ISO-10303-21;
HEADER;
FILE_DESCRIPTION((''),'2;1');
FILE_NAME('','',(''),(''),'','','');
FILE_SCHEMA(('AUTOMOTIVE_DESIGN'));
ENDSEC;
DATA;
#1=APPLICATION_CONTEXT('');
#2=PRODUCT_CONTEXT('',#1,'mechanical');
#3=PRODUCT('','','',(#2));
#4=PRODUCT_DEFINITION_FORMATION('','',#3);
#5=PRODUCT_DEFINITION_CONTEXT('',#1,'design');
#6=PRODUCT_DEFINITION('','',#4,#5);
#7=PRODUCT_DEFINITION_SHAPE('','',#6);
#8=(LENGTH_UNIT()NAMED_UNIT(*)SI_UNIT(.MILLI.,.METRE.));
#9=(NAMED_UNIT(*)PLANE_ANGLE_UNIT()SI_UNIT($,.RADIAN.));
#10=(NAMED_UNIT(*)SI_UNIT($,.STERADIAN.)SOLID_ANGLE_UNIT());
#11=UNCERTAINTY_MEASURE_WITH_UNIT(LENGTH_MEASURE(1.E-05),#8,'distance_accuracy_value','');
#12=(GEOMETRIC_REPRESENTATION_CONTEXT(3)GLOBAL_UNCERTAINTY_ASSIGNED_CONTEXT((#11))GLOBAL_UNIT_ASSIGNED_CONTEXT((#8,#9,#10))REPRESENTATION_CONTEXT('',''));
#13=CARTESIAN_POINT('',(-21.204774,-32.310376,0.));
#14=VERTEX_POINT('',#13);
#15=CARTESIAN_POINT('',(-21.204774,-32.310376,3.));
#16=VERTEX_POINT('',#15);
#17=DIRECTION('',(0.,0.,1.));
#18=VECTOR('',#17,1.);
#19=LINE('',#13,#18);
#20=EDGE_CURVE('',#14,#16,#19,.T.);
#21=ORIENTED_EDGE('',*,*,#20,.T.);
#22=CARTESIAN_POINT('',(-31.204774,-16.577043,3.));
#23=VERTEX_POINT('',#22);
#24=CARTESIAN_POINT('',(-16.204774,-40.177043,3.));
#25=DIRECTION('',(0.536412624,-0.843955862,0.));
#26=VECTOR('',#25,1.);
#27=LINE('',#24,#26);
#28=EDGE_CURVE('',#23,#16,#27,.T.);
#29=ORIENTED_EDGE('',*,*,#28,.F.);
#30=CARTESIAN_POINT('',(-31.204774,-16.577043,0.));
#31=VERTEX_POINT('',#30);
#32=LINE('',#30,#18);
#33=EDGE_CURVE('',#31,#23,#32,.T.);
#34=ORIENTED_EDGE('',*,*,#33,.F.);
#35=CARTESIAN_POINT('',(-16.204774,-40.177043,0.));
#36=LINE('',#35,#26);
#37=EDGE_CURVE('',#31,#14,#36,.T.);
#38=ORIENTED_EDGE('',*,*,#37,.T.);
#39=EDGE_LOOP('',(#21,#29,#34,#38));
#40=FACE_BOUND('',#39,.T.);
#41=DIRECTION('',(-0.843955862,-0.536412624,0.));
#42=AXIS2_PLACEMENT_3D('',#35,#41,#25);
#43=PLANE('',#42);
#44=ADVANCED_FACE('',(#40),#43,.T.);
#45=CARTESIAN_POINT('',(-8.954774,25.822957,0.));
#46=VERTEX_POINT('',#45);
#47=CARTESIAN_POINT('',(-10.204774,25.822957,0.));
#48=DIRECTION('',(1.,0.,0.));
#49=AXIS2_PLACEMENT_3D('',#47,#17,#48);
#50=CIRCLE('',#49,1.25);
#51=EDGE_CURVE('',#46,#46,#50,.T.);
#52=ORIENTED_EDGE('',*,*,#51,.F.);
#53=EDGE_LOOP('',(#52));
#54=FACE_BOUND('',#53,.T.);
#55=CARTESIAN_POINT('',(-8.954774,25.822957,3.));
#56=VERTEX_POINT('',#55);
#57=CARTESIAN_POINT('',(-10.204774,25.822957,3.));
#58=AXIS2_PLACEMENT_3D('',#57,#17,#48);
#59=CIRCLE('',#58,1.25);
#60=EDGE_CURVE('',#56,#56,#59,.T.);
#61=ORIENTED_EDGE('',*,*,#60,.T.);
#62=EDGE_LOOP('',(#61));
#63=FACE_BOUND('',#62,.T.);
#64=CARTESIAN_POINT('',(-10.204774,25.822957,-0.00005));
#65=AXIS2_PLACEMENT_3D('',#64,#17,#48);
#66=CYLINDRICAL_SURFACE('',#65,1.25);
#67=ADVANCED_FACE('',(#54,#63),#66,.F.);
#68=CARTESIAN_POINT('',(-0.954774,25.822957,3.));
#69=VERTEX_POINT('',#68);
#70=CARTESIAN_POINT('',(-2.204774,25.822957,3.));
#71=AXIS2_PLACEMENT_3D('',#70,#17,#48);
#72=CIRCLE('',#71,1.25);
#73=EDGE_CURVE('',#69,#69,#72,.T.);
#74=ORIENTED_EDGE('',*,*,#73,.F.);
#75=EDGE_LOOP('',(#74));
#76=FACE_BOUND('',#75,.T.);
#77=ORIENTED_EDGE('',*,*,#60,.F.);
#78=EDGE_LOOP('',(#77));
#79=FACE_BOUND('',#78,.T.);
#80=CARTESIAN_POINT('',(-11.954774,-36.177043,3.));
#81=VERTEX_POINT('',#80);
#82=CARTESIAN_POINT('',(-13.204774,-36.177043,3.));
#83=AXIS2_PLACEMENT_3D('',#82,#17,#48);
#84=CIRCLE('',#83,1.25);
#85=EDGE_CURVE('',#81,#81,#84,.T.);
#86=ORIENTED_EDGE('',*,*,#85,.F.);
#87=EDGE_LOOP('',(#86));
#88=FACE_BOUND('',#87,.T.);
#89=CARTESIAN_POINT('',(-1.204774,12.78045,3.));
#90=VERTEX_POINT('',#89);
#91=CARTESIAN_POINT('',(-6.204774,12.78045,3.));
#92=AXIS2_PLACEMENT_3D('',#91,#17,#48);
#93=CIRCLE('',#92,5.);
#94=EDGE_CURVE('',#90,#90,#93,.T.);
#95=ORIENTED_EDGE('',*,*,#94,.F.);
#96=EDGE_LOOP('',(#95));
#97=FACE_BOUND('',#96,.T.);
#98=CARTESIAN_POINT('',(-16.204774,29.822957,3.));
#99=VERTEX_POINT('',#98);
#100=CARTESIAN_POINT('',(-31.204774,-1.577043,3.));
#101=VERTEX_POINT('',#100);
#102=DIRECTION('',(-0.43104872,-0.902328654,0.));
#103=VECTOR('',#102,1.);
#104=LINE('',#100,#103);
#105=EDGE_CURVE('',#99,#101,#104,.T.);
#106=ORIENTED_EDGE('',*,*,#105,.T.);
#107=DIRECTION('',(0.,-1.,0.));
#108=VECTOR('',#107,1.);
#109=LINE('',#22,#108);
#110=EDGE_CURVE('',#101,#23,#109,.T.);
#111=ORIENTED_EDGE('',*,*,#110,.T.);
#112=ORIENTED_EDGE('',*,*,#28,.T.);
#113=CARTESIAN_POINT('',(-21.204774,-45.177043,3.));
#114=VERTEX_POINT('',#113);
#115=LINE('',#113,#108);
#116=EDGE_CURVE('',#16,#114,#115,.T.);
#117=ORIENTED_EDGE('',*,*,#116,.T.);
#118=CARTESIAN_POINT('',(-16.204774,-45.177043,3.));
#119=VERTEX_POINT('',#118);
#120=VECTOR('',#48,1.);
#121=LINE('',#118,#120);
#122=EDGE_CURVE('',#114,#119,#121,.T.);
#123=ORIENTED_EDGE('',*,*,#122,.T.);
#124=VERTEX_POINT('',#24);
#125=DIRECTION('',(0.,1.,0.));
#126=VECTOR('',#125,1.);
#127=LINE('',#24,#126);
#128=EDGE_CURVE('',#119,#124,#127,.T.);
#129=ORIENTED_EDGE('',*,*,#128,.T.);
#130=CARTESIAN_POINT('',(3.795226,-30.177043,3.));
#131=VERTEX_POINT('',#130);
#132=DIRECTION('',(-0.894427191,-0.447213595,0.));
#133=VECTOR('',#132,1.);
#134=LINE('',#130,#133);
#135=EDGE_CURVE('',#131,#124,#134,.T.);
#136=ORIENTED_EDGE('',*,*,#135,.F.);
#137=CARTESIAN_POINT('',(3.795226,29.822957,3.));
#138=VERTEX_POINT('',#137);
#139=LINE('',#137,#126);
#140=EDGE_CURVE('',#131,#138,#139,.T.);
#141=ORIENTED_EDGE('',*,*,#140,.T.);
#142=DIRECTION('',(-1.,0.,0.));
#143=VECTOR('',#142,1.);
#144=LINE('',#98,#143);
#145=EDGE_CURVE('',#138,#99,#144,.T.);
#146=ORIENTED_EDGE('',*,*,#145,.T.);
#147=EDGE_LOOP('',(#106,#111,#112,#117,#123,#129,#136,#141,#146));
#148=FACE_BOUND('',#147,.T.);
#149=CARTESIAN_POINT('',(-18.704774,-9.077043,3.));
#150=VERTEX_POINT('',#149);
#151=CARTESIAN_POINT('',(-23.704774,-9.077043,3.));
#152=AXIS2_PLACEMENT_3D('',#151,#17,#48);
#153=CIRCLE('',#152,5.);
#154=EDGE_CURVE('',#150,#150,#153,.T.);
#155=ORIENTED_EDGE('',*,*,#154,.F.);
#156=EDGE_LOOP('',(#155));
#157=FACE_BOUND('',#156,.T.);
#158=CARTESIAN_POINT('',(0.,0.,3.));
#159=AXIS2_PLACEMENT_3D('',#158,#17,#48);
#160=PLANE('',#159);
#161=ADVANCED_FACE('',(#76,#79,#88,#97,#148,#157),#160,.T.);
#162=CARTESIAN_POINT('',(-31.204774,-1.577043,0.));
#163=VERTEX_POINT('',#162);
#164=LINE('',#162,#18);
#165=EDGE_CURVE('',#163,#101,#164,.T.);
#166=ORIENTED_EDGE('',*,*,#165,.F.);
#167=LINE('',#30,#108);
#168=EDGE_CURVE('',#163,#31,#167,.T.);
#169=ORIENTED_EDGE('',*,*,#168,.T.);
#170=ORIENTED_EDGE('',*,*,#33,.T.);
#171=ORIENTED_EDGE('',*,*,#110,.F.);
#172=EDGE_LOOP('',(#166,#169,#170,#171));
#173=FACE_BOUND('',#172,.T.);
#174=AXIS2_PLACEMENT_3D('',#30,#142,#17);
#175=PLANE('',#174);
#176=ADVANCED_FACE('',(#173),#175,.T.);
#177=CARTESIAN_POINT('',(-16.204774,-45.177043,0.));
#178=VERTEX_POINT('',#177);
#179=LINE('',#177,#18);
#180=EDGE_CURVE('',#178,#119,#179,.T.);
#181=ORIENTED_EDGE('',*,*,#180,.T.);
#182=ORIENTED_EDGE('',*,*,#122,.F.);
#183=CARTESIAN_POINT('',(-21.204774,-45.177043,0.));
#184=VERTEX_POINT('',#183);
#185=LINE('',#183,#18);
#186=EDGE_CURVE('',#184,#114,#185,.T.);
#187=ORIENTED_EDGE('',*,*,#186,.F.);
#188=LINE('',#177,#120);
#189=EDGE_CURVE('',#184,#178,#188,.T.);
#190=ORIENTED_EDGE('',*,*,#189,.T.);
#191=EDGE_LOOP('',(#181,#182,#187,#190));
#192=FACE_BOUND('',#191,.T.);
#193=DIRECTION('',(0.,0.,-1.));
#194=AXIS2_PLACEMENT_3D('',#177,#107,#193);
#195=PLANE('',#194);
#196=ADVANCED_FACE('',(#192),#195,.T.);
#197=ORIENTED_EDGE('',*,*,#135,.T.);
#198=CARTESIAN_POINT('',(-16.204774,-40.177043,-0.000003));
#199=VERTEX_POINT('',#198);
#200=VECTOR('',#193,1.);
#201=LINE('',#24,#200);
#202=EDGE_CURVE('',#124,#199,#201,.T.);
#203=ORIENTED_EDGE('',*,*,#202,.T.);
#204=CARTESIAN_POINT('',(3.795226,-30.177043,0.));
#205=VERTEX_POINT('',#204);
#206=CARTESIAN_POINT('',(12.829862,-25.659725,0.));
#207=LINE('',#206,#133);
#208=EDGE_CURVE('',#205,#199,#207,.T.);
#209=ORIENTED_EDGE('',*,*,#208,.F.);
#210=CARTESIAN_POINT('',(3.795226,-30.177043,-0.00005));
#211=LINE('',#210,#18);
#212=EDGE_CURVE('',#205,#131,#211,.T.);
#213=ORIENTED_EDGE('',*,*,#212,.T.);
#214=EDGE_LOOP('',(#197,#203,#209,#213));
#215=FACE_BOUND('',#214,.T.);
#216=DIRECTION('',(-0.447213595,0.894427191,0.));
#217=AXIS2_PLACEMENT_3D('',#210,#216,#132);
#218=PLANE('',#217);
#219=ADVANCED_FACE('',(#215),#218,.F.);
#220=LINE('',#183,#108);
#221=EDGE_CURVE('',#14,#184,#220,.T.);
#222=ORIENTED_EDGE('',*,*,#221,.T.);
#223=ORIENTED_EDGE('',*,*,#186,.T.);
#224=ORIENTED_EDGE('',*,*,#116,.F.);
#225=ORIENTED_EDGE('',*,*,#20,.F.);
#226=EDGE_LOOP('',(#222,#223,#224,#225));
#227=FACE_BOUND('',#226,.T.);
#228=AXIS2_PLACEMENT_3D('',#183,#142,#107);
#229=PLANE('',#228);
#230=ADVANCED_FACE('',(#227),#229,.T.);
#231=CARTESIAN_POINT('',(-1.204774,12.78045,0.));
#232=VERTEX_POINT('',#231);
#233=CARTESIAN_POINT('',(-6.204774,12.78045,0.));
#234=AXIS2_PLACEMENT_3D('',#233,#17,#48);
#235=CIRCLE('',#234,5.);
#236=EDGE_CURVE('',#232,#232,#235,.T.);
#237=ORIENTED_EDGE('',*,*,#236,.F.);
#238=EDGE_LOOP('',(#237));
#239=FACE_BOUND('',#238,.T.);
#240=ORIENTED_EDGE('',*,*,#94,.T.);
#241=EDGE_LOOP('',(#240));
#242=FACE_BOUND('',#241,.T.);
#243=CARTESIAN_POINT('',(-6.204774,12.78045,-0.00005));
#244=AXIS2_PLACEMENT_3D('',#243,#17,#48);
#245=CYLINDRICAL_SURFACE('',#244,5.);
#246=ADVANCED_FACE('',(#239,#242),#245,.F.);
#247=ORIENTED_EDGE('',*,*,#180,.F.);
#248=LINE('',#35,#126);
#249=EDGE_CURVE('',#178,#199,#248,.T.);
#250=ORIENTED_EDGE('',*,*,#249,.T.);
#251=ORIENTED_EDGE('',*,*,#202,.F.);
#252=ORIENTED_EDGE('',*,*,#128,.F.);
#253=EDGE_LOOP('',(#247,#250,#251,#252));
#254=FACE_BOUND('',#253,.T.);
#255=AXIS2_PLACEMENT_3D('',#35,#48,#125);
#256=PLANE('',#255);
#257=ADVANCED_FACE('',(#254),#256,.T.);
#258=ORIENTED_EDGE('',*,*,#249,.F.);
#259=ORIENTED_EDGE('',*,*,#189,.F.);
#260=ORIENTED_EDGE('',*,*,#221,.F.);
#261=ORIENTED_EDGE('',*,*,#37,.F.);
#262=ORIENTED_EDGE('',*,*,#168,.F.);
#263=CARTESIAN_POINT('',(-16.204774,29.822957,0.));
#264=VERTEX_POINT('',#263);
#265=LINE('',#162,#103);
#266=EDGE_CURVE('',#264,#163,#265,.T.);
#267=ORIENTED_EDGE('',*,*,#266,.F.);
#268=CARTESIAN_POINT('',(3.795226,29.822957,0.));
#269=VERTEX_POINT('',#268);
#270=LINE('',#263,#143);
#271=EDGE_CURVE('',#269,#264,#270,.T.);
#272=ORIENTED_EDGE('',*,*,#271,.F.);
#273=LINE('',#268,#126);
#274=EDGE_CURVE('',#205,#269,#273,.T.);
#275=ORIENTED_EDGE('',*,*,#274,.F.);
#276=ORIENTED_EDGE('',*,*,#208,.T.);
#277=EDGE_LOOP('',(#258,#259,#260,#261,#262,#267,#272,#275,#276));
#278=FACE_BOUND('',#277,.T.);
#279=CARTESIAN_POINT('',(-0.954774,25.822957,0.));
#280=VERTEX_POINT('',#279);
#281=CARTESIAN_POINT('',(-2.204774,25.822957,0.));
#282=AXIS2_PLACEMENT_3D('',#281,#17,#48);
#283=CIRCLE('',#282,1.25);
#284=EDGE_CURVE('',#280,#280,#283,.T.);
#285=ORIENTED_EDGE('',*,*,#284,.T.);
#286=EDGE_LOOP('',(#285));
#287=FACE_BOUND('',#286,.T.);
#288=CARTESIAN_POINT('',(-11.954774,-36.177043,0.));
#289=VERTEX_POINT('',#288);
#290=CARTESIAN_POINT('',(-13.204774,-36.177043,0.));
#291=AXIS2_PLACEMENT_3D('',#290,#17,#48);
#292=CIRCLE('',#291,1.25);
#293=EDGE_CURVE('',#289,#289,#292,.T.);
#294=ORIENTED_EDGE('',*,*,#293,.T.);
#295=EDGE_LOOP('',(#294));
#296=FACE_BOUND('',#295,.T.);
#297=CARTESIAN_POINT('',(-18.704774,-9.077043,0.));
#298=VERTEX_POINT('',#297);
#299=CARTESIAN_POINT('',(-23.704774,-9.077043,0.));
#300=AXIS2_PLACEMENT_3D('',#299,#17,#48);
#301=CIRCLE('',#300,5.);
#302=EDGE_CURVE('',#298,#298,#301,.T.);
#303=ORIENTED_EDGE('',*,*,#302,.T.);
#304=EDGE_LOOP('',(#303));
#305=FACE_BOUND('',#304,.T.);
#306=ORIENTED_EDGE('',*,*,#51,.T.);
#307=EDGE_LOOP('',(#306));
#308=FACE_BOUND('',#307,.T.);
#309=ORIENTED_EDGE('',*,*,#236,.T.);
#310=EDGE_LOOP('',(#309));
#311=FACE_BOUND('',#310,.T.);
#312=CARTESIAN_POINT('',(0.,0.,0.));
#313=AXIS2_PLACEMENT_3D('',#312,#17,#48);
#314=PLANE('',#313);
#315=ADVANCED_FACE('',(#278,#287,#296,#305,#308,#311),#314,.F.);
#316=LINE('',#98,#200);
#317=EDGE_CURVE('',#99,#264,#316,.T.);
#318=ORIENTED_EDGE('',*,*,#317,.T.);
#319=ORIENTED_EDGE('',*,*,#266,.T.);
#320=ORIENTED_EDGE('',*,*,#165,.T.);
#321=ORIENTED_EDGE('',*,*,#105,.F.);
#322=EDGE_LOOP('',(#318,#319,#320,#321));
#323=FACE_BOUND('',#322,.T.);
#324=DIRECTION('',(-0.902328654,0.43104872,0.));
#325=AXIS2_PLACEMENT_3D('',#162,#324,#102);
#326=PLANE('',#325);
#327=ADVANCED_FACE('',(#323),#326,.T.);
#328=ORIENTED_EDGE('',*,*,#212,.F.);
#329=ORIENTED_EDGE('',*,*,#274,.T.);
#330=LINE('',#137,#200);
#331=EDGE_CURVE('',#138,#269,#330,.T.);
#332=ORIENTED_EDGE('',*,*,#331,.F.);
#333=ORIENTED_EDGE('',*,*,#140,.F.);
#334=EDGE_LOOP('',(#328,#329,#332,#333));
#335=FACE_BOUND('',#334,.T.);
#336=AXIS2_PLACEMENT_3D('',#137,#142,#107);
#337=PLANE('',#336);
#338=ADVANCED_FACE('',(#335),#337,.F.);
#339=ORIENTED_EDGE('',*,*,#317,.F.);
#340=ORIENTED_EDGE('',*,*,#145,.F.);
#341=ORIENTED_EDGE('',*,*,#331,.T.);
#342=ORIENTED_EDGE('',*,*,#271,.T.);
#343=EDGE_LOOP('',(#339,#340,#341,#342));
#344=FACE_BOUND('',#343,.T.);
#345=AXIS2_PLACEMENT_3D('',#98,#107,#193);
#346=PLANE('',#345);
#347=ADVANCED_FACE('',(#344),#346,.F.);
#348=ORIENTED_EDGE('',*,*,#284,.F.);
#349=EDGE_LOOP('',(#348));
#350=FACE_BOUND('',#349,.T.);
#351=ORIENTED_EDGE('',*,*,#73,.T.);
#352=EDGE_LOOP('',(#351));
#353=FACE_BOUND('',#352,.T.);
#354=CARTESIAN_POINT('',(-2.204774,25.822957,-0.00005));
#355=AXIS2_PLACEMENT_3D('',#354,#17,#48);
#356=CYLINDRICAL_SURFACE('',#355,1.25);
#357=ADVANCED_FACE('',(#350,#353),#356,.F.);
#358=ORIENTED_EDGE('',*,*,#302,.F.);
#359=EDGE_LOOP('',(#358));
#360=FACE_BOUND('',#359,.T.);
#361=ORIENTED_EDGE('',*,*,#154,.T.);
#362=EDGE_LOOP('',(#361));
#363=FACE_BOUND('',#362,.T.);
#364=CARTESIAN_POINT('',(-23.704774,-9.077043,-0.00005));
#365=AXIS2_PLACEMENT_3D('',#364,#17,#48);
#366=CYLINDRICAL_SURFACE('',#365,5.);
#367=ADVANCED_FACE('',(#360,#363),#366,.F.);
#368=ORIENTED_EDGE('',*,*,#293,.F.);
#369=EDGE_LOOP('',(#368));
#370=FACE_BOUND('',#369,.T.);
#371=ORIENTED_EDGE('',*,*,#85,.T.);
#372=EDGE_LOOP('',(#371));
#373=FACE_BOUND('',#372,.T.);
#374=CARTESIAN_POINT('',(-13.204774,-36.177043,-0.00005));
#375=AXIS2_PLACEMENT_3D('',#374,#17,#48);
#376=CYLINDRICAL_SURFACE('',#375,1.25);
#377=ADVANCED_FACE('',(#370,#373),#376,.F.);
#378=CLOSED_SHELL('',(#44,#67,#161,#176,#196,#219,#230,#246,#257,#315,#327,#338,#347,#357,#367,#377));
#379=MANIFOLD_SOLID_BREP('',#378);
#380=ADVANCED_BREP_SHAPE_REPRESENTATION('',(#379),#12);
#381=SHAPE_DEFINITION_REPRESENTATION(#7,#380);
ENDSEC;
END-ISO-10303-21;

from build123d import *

# Parameters (mm, degrees)
SKETCH1_W           = 20
SKETCH1_H           = 70
BOSS_EXTRUDE1_DEPTH = 3
SKETCH2_W           = 15
SKETCH2_H           = 15
BOSS_EXTRUDE2_DEPTH = 3
BOSS_EXTRUDE3_DEPTH = 3
BOSS_EXTRUDE4_DEPTH = 3
SKETCH7_R           = 5
SKETCH7_R_2         = 1.25
CUT_EXTRUDE1_DEPTH  = 4


with BuildPart() as part:
    # Sketch1 → Boss-Extrude1 (new body)
    with BuildSketch(Plane.XY):
        with Locations((-6.20477445, -5.177042891)):
            Rectangle(SKETCH1_W, SKETCH1_H)
    extrude(amount=BOSS_EXTRUDE1_DEPTH)

    # Sketch2 → Boss-Extrude2 (add)
    with BuildSketch(Plane.XY.offset(3)):
        with Locations((-23.70477445, -9.077042891)):
            Rectangle(SKETCH2_W, SKETCH2_H)
    extrude(amount=-BOSS_EXTRUDE2_DEPTH)

    # Sketch3 → Boss-Extrude3 (add)
    with BuildSketch(Plane.XY.offset(3)):
        Polygon((-31.20477445, -1.577042891), (-16.20477445, 29.822957109), (-16.20477445, -1.577042891), align=None)
        Polygon((-31.20477445, -16.577042891), (-16.20477445, -16.577042891), (-16.20477445, -40.177042891), align=None)
    extrude(amount=-BOSS_EXTRUDE3_DEPTH)

    # Sketch6 → Boss-Extrude4 (add)
    with BuildSketch(Plane.XY.offset(3)):
        Polygon((-16.20477445, -40.177042891), (-16.20477445, -45.177042891), (-21.20477445, -45.177042891), (-21.20477445, -32.310376225), align=None)
    extrude(amount=-BOSS_EXTRUDE4_DEPTH)

    # Sketch7 → Cut-Extrude1 (cut, through all)
    with BuildSketch(Plane.XY.offset(3)):
        with Locations((-23.70477445, -9.077042891)):
            Circle(SKETCH7_R)
        with Locations((-13.20477445, -36.177042891)):
            Circle(SKETCH7_R_2)
        with Locations((-6.20477445, 12.780450103)):
            Circle(SKETCH7_R)
        with Locations((-10.20477445, 25.822957109)):
            Circle(SKETCH7_R_2)
        with Locations((-2.20477445, 25.822957109)):
            Circle(SKETCH7_R_2)
        Polygon((3.79522555, -40.177042891), (3.79522555, -30.177042891), (-16.20477445, -40.177042891), align=None)
    extrude(amount=-CUT_EXTRUDE1_DEPTH, mode=Mode.SUBTRACT)


solid = part.part
